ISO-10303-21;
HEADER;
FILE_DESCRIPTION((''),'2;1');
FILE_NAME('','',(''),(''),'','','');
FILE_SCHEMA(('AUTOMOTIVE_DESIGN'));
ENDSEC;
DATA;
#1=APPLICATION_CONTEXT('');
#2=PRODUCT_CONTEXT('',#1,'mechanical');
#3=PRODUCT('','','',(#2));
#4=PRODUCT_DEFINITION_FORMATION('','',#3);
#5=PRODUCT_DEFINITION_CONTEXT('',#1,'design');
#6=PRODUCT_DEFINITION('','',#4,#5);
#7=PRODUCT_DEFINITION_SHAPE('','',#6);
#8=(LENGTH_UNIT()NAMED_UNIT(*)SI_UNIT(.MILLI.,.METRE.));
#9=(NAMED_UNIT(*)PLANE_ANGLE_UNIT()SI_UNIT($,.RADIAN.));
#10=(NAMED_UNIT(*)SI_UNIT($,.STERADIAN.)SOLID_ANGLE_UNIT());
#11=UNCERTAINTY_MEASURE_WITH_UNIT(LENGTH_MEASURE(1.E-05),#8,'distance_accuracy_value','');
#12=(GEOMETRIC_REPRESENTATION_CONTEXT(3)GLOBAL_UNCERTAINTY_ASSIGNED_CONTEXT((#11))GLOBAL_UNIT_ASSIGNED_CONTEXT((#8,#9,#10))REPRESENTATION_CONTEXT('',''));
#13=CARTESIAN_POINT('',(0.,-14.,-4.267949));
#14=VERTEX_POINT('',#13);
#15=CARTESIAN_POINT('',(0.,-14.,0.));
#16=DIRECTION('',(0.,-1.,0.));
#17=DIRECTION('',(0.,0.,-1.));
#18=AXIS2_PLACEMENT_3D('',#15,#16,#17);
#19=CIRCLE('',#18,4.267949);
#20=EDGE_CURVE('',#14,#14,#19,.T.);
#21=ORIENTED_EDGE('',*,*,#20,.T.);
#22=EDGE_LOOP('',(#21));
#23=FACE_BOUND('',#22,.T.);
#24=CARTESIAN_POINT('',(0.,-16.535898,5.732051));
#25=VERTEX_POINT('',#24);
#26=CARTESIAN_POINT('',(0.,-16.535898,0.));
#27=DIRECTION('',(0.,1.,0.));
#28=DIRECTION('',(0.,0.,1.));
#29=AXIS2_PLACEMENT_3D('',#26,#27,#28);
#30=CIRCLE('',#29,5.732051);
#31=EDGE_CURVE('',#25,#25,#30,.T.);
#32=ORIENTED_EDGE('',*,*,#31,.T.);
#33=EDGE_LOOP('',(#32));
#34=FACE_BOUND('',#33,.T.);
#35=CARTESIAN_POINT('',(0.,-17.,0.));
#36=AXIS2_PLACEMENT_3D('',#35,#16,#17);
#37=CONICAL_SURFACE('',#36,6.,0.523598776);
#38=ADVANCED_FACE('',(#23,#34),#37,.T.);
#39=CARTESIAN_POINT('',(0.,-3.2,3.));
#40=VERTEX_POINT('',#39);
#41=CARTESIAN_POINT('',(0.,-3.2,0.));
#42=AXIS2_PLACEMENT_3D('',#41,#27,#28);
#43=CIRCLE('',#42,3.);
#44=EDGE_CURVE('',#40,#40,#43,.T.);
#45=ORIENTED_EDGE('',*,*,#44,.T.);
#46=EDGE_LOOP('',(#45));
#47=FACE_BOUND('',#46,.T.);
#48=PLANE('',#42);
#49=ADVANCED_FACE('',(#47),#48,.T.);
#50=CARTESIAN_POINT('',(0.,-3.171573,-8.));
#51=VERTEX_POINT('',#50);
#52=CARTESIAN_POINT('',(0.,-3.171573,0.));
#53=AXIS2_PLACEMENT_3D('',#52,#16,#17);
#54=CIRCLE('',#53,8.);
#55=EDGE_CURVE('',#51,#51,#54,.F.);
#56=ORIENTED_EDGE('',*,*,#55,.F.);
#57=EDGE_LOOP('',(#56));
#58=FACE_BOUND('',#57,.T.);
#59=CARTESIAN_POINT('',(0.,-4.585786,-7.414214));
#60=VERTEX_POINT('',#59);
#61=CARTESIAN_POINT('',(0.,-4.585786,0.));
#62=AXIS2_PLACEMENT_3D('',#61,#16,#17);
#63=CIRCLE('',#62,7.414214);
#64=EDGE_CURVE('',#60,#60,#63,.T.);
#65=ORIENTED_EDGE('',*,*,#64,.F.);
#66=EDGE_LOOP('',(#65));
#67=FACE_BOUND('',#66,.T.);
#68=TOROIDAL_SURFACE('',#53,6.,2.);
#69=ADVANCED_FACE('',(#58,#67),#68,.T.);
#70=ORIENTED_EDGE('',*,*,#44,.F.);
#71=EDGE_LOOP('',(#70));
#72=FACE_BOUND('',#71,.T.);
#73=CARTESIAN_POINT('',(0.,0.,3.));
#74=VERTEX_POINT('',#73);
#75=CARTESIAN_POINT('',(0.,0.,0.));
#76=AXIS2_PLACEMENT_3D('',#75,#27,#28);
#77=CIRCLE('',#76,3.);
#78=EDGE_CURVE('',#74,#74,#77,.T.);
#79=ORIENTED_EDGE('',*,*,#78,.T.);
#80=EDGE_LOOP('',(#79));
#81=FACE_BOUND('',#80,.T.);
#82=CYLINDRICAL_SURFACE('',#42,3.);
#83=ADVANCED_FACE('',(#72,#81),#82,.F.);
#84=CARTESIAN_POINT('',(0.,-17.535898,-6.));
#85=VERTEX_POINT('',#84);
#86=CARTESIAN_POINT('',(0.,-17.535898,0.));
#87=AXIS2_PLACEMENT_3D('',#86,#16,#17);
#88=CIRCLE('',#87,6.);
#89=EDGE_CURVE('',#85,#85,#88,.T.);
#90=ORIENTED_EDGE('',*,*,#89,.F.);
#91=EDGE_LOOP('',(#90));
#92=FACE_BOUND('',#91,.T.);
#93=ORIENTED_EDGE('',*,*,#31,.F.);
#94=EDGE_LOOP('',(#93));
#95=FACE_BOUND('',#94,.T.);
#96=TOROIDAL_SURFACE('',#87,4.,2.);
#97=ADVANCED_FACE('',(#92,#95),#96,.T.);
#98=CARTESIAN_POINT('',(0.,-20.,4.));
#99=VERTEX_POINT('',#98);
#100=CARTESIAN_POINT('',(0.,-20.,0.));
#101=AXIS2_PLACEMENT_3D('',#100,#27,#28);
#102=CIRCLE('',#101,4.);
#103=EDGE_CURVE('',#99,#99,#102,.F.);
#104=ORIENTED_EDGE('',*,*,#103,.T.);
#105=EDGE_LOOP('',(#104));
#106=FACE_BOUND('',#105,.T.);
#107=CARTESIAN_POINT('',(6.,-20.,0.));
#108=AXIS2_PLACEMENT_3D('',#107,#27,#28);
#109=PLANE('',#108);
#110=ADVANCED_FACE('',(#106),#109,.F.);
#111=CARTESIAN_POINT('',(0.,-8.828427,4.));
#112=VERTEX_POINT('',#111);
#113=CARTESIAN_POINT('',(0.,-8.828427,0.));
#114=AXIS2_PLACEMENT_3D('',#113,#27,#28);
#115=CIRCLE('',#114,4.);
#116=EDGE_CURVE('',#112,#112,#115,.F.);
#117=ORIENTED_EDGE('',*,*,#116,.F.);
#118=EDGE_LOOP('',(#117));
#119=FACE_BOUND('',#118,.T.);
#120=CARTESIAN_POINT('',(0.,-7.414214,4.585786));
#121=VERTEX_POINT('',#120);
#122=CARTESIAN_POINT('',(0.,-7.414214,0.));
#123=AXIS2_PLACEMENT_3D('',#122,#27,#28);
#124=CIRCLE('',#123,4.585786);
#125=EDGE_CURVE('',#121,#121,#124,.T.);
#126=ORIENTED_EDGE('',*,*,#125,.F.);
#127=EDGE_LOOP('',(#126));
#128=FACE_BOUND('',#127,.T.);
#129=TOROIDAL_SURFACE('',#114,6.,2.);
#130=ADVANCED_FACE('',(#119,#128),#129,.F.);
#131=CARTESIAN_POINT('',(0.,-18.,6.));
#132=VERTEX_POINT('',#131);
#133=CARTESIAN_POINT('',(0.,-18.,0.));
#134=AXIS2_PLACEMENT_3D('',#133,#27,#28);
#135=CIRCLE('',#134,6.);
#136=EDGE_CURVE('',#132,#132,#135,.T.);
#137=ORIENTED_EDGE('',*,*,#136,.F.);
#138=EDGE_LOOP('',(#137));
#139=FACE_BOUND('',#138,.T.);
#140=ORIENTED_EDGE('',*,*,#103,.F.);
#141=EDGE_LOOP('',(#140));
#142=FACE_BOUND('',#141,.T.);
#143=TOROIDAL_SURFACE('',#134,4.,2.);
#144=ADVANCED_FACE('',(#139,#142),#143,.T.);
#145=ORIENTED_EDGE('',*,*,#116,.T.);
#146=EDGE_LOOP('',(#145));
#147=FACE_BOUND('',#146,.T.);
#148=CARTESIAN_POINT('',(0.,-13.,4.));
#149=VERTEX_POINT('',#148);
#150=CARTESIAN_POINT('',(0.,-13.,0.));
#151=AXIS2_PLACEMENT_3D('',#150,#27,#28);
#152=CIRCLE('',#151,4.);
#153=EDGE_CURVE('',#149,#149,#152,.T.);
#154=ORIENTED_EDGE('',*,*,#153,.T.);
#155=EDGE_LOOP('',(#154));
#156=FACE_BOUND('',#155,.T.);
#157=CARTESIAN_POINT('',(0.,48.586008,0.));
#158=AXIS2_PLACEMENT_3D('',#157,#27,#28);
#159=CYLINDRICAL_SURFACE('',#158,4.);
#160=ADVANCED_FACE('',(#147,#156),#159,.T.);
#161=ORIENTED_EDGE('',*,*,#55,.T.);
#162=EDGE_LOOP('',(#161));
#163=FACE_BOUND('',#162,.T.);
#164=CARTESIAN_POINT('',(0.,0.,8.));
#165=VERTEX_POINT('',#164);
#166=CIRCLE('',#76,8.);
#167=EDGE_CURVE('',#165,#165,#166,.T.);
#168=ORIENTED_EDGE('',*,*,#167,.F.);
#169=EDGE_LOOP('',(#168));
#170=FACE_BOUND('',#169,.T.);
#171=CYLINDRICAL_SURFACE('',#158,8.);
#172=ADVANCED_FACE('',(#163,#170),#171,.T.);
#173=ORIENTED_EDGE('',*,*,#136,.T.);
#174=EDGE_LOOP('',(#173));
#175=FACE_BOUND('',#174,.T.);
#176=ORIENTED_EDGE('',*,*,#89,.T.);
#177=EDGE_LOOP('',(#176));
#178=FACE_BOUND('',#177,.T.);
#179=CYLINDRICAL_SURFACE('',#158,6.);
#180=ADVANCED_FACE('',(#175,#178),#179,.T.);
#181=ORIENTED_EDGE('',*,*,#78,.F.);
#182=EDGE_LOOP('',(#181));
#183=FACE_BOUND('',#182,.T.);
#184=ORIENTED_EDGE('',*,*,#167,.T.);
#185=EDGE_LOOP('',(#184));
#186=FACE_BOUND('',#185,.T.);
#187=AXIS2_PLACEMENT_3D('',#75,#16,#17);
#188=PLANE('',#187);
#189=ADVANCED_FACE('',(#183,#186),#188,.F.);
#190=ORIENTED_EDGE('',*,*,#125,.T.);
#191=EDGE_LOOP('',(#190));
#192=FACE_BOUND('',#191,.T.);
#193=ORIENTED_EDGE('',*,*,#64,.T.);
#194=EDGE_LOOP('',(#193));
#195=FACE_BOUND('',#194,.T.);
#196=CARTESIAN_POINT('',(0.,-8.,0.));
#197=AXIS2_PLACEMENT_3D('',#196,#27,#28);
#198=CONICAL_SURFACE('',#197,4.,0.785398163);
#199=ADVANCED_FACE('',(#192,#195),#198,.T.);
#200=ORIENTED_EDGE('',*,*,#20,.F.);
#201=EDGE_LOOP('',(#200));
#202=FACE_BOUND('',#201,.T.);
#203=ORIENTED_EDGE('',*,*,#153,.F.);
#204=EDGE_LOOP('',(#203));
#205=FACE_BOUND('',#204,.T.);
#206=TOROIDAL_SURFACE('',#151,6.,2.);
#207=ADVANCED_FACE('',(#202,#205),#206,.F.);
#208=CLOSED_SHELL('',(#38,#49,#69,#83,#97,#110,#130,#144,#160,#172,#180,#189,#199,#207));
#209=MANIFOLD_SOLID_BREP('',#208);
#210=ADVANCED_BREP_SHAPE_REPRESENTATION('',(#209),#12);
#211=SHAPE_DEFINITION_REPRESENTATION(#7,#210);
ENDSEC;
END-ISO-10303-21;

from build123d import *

# Parameters (mm, degrees)
FILLET1_R          = 2
SKETCH2_R          = 3
CUT_EXTRUDE1_DEPTH = 3.2


with BuildPart() as part:
    # Sketch1 → Revolve1 (revolve)
    with BuildSketch(Plane.XY, mode=Mode.PRIVATE) as revolve1_sk:
        Polygon((0, 0), (8, 0), (8, -4), (4, -8), (4, -13.535898385), (6, -17), (6, -20), (0, -20), align=None)
    revolve(revolve1_sk.sketch.rotate(Axis((0, 48.586008243, 0), (0, -1, 0)), 90), axis=Axis((0, 48.586008243, 0), (0, -1, 0)))

    # Fillet1
    fillet1_edges = [part.edges().sort_by_distance(p)[0] for p in [
        (0, -20, -6),
        (0, -17, -6),
        (0, -13.535898385, -4),
        (0, -8, -4),
        (0, -4, -8),
    ]]
    fillet(fillet1_edges, radius=FILLET1_R)

    # Sketch2 → Cut-Extrude1 (cut)
    with BuildSketch(Plane(origin=(0, 0, 0), x_dir=(1, 0, 0), z_dir=(0, 1, 0))):
        with Locations(Location((0, 0, 0), (0, 0, 270))):
            Circle(SKETCH2_R)
    extrude(amount=-CUT_EXTRUDE1_DEPTH, mode=Mode.SUBTRACT)


solid = part.part
